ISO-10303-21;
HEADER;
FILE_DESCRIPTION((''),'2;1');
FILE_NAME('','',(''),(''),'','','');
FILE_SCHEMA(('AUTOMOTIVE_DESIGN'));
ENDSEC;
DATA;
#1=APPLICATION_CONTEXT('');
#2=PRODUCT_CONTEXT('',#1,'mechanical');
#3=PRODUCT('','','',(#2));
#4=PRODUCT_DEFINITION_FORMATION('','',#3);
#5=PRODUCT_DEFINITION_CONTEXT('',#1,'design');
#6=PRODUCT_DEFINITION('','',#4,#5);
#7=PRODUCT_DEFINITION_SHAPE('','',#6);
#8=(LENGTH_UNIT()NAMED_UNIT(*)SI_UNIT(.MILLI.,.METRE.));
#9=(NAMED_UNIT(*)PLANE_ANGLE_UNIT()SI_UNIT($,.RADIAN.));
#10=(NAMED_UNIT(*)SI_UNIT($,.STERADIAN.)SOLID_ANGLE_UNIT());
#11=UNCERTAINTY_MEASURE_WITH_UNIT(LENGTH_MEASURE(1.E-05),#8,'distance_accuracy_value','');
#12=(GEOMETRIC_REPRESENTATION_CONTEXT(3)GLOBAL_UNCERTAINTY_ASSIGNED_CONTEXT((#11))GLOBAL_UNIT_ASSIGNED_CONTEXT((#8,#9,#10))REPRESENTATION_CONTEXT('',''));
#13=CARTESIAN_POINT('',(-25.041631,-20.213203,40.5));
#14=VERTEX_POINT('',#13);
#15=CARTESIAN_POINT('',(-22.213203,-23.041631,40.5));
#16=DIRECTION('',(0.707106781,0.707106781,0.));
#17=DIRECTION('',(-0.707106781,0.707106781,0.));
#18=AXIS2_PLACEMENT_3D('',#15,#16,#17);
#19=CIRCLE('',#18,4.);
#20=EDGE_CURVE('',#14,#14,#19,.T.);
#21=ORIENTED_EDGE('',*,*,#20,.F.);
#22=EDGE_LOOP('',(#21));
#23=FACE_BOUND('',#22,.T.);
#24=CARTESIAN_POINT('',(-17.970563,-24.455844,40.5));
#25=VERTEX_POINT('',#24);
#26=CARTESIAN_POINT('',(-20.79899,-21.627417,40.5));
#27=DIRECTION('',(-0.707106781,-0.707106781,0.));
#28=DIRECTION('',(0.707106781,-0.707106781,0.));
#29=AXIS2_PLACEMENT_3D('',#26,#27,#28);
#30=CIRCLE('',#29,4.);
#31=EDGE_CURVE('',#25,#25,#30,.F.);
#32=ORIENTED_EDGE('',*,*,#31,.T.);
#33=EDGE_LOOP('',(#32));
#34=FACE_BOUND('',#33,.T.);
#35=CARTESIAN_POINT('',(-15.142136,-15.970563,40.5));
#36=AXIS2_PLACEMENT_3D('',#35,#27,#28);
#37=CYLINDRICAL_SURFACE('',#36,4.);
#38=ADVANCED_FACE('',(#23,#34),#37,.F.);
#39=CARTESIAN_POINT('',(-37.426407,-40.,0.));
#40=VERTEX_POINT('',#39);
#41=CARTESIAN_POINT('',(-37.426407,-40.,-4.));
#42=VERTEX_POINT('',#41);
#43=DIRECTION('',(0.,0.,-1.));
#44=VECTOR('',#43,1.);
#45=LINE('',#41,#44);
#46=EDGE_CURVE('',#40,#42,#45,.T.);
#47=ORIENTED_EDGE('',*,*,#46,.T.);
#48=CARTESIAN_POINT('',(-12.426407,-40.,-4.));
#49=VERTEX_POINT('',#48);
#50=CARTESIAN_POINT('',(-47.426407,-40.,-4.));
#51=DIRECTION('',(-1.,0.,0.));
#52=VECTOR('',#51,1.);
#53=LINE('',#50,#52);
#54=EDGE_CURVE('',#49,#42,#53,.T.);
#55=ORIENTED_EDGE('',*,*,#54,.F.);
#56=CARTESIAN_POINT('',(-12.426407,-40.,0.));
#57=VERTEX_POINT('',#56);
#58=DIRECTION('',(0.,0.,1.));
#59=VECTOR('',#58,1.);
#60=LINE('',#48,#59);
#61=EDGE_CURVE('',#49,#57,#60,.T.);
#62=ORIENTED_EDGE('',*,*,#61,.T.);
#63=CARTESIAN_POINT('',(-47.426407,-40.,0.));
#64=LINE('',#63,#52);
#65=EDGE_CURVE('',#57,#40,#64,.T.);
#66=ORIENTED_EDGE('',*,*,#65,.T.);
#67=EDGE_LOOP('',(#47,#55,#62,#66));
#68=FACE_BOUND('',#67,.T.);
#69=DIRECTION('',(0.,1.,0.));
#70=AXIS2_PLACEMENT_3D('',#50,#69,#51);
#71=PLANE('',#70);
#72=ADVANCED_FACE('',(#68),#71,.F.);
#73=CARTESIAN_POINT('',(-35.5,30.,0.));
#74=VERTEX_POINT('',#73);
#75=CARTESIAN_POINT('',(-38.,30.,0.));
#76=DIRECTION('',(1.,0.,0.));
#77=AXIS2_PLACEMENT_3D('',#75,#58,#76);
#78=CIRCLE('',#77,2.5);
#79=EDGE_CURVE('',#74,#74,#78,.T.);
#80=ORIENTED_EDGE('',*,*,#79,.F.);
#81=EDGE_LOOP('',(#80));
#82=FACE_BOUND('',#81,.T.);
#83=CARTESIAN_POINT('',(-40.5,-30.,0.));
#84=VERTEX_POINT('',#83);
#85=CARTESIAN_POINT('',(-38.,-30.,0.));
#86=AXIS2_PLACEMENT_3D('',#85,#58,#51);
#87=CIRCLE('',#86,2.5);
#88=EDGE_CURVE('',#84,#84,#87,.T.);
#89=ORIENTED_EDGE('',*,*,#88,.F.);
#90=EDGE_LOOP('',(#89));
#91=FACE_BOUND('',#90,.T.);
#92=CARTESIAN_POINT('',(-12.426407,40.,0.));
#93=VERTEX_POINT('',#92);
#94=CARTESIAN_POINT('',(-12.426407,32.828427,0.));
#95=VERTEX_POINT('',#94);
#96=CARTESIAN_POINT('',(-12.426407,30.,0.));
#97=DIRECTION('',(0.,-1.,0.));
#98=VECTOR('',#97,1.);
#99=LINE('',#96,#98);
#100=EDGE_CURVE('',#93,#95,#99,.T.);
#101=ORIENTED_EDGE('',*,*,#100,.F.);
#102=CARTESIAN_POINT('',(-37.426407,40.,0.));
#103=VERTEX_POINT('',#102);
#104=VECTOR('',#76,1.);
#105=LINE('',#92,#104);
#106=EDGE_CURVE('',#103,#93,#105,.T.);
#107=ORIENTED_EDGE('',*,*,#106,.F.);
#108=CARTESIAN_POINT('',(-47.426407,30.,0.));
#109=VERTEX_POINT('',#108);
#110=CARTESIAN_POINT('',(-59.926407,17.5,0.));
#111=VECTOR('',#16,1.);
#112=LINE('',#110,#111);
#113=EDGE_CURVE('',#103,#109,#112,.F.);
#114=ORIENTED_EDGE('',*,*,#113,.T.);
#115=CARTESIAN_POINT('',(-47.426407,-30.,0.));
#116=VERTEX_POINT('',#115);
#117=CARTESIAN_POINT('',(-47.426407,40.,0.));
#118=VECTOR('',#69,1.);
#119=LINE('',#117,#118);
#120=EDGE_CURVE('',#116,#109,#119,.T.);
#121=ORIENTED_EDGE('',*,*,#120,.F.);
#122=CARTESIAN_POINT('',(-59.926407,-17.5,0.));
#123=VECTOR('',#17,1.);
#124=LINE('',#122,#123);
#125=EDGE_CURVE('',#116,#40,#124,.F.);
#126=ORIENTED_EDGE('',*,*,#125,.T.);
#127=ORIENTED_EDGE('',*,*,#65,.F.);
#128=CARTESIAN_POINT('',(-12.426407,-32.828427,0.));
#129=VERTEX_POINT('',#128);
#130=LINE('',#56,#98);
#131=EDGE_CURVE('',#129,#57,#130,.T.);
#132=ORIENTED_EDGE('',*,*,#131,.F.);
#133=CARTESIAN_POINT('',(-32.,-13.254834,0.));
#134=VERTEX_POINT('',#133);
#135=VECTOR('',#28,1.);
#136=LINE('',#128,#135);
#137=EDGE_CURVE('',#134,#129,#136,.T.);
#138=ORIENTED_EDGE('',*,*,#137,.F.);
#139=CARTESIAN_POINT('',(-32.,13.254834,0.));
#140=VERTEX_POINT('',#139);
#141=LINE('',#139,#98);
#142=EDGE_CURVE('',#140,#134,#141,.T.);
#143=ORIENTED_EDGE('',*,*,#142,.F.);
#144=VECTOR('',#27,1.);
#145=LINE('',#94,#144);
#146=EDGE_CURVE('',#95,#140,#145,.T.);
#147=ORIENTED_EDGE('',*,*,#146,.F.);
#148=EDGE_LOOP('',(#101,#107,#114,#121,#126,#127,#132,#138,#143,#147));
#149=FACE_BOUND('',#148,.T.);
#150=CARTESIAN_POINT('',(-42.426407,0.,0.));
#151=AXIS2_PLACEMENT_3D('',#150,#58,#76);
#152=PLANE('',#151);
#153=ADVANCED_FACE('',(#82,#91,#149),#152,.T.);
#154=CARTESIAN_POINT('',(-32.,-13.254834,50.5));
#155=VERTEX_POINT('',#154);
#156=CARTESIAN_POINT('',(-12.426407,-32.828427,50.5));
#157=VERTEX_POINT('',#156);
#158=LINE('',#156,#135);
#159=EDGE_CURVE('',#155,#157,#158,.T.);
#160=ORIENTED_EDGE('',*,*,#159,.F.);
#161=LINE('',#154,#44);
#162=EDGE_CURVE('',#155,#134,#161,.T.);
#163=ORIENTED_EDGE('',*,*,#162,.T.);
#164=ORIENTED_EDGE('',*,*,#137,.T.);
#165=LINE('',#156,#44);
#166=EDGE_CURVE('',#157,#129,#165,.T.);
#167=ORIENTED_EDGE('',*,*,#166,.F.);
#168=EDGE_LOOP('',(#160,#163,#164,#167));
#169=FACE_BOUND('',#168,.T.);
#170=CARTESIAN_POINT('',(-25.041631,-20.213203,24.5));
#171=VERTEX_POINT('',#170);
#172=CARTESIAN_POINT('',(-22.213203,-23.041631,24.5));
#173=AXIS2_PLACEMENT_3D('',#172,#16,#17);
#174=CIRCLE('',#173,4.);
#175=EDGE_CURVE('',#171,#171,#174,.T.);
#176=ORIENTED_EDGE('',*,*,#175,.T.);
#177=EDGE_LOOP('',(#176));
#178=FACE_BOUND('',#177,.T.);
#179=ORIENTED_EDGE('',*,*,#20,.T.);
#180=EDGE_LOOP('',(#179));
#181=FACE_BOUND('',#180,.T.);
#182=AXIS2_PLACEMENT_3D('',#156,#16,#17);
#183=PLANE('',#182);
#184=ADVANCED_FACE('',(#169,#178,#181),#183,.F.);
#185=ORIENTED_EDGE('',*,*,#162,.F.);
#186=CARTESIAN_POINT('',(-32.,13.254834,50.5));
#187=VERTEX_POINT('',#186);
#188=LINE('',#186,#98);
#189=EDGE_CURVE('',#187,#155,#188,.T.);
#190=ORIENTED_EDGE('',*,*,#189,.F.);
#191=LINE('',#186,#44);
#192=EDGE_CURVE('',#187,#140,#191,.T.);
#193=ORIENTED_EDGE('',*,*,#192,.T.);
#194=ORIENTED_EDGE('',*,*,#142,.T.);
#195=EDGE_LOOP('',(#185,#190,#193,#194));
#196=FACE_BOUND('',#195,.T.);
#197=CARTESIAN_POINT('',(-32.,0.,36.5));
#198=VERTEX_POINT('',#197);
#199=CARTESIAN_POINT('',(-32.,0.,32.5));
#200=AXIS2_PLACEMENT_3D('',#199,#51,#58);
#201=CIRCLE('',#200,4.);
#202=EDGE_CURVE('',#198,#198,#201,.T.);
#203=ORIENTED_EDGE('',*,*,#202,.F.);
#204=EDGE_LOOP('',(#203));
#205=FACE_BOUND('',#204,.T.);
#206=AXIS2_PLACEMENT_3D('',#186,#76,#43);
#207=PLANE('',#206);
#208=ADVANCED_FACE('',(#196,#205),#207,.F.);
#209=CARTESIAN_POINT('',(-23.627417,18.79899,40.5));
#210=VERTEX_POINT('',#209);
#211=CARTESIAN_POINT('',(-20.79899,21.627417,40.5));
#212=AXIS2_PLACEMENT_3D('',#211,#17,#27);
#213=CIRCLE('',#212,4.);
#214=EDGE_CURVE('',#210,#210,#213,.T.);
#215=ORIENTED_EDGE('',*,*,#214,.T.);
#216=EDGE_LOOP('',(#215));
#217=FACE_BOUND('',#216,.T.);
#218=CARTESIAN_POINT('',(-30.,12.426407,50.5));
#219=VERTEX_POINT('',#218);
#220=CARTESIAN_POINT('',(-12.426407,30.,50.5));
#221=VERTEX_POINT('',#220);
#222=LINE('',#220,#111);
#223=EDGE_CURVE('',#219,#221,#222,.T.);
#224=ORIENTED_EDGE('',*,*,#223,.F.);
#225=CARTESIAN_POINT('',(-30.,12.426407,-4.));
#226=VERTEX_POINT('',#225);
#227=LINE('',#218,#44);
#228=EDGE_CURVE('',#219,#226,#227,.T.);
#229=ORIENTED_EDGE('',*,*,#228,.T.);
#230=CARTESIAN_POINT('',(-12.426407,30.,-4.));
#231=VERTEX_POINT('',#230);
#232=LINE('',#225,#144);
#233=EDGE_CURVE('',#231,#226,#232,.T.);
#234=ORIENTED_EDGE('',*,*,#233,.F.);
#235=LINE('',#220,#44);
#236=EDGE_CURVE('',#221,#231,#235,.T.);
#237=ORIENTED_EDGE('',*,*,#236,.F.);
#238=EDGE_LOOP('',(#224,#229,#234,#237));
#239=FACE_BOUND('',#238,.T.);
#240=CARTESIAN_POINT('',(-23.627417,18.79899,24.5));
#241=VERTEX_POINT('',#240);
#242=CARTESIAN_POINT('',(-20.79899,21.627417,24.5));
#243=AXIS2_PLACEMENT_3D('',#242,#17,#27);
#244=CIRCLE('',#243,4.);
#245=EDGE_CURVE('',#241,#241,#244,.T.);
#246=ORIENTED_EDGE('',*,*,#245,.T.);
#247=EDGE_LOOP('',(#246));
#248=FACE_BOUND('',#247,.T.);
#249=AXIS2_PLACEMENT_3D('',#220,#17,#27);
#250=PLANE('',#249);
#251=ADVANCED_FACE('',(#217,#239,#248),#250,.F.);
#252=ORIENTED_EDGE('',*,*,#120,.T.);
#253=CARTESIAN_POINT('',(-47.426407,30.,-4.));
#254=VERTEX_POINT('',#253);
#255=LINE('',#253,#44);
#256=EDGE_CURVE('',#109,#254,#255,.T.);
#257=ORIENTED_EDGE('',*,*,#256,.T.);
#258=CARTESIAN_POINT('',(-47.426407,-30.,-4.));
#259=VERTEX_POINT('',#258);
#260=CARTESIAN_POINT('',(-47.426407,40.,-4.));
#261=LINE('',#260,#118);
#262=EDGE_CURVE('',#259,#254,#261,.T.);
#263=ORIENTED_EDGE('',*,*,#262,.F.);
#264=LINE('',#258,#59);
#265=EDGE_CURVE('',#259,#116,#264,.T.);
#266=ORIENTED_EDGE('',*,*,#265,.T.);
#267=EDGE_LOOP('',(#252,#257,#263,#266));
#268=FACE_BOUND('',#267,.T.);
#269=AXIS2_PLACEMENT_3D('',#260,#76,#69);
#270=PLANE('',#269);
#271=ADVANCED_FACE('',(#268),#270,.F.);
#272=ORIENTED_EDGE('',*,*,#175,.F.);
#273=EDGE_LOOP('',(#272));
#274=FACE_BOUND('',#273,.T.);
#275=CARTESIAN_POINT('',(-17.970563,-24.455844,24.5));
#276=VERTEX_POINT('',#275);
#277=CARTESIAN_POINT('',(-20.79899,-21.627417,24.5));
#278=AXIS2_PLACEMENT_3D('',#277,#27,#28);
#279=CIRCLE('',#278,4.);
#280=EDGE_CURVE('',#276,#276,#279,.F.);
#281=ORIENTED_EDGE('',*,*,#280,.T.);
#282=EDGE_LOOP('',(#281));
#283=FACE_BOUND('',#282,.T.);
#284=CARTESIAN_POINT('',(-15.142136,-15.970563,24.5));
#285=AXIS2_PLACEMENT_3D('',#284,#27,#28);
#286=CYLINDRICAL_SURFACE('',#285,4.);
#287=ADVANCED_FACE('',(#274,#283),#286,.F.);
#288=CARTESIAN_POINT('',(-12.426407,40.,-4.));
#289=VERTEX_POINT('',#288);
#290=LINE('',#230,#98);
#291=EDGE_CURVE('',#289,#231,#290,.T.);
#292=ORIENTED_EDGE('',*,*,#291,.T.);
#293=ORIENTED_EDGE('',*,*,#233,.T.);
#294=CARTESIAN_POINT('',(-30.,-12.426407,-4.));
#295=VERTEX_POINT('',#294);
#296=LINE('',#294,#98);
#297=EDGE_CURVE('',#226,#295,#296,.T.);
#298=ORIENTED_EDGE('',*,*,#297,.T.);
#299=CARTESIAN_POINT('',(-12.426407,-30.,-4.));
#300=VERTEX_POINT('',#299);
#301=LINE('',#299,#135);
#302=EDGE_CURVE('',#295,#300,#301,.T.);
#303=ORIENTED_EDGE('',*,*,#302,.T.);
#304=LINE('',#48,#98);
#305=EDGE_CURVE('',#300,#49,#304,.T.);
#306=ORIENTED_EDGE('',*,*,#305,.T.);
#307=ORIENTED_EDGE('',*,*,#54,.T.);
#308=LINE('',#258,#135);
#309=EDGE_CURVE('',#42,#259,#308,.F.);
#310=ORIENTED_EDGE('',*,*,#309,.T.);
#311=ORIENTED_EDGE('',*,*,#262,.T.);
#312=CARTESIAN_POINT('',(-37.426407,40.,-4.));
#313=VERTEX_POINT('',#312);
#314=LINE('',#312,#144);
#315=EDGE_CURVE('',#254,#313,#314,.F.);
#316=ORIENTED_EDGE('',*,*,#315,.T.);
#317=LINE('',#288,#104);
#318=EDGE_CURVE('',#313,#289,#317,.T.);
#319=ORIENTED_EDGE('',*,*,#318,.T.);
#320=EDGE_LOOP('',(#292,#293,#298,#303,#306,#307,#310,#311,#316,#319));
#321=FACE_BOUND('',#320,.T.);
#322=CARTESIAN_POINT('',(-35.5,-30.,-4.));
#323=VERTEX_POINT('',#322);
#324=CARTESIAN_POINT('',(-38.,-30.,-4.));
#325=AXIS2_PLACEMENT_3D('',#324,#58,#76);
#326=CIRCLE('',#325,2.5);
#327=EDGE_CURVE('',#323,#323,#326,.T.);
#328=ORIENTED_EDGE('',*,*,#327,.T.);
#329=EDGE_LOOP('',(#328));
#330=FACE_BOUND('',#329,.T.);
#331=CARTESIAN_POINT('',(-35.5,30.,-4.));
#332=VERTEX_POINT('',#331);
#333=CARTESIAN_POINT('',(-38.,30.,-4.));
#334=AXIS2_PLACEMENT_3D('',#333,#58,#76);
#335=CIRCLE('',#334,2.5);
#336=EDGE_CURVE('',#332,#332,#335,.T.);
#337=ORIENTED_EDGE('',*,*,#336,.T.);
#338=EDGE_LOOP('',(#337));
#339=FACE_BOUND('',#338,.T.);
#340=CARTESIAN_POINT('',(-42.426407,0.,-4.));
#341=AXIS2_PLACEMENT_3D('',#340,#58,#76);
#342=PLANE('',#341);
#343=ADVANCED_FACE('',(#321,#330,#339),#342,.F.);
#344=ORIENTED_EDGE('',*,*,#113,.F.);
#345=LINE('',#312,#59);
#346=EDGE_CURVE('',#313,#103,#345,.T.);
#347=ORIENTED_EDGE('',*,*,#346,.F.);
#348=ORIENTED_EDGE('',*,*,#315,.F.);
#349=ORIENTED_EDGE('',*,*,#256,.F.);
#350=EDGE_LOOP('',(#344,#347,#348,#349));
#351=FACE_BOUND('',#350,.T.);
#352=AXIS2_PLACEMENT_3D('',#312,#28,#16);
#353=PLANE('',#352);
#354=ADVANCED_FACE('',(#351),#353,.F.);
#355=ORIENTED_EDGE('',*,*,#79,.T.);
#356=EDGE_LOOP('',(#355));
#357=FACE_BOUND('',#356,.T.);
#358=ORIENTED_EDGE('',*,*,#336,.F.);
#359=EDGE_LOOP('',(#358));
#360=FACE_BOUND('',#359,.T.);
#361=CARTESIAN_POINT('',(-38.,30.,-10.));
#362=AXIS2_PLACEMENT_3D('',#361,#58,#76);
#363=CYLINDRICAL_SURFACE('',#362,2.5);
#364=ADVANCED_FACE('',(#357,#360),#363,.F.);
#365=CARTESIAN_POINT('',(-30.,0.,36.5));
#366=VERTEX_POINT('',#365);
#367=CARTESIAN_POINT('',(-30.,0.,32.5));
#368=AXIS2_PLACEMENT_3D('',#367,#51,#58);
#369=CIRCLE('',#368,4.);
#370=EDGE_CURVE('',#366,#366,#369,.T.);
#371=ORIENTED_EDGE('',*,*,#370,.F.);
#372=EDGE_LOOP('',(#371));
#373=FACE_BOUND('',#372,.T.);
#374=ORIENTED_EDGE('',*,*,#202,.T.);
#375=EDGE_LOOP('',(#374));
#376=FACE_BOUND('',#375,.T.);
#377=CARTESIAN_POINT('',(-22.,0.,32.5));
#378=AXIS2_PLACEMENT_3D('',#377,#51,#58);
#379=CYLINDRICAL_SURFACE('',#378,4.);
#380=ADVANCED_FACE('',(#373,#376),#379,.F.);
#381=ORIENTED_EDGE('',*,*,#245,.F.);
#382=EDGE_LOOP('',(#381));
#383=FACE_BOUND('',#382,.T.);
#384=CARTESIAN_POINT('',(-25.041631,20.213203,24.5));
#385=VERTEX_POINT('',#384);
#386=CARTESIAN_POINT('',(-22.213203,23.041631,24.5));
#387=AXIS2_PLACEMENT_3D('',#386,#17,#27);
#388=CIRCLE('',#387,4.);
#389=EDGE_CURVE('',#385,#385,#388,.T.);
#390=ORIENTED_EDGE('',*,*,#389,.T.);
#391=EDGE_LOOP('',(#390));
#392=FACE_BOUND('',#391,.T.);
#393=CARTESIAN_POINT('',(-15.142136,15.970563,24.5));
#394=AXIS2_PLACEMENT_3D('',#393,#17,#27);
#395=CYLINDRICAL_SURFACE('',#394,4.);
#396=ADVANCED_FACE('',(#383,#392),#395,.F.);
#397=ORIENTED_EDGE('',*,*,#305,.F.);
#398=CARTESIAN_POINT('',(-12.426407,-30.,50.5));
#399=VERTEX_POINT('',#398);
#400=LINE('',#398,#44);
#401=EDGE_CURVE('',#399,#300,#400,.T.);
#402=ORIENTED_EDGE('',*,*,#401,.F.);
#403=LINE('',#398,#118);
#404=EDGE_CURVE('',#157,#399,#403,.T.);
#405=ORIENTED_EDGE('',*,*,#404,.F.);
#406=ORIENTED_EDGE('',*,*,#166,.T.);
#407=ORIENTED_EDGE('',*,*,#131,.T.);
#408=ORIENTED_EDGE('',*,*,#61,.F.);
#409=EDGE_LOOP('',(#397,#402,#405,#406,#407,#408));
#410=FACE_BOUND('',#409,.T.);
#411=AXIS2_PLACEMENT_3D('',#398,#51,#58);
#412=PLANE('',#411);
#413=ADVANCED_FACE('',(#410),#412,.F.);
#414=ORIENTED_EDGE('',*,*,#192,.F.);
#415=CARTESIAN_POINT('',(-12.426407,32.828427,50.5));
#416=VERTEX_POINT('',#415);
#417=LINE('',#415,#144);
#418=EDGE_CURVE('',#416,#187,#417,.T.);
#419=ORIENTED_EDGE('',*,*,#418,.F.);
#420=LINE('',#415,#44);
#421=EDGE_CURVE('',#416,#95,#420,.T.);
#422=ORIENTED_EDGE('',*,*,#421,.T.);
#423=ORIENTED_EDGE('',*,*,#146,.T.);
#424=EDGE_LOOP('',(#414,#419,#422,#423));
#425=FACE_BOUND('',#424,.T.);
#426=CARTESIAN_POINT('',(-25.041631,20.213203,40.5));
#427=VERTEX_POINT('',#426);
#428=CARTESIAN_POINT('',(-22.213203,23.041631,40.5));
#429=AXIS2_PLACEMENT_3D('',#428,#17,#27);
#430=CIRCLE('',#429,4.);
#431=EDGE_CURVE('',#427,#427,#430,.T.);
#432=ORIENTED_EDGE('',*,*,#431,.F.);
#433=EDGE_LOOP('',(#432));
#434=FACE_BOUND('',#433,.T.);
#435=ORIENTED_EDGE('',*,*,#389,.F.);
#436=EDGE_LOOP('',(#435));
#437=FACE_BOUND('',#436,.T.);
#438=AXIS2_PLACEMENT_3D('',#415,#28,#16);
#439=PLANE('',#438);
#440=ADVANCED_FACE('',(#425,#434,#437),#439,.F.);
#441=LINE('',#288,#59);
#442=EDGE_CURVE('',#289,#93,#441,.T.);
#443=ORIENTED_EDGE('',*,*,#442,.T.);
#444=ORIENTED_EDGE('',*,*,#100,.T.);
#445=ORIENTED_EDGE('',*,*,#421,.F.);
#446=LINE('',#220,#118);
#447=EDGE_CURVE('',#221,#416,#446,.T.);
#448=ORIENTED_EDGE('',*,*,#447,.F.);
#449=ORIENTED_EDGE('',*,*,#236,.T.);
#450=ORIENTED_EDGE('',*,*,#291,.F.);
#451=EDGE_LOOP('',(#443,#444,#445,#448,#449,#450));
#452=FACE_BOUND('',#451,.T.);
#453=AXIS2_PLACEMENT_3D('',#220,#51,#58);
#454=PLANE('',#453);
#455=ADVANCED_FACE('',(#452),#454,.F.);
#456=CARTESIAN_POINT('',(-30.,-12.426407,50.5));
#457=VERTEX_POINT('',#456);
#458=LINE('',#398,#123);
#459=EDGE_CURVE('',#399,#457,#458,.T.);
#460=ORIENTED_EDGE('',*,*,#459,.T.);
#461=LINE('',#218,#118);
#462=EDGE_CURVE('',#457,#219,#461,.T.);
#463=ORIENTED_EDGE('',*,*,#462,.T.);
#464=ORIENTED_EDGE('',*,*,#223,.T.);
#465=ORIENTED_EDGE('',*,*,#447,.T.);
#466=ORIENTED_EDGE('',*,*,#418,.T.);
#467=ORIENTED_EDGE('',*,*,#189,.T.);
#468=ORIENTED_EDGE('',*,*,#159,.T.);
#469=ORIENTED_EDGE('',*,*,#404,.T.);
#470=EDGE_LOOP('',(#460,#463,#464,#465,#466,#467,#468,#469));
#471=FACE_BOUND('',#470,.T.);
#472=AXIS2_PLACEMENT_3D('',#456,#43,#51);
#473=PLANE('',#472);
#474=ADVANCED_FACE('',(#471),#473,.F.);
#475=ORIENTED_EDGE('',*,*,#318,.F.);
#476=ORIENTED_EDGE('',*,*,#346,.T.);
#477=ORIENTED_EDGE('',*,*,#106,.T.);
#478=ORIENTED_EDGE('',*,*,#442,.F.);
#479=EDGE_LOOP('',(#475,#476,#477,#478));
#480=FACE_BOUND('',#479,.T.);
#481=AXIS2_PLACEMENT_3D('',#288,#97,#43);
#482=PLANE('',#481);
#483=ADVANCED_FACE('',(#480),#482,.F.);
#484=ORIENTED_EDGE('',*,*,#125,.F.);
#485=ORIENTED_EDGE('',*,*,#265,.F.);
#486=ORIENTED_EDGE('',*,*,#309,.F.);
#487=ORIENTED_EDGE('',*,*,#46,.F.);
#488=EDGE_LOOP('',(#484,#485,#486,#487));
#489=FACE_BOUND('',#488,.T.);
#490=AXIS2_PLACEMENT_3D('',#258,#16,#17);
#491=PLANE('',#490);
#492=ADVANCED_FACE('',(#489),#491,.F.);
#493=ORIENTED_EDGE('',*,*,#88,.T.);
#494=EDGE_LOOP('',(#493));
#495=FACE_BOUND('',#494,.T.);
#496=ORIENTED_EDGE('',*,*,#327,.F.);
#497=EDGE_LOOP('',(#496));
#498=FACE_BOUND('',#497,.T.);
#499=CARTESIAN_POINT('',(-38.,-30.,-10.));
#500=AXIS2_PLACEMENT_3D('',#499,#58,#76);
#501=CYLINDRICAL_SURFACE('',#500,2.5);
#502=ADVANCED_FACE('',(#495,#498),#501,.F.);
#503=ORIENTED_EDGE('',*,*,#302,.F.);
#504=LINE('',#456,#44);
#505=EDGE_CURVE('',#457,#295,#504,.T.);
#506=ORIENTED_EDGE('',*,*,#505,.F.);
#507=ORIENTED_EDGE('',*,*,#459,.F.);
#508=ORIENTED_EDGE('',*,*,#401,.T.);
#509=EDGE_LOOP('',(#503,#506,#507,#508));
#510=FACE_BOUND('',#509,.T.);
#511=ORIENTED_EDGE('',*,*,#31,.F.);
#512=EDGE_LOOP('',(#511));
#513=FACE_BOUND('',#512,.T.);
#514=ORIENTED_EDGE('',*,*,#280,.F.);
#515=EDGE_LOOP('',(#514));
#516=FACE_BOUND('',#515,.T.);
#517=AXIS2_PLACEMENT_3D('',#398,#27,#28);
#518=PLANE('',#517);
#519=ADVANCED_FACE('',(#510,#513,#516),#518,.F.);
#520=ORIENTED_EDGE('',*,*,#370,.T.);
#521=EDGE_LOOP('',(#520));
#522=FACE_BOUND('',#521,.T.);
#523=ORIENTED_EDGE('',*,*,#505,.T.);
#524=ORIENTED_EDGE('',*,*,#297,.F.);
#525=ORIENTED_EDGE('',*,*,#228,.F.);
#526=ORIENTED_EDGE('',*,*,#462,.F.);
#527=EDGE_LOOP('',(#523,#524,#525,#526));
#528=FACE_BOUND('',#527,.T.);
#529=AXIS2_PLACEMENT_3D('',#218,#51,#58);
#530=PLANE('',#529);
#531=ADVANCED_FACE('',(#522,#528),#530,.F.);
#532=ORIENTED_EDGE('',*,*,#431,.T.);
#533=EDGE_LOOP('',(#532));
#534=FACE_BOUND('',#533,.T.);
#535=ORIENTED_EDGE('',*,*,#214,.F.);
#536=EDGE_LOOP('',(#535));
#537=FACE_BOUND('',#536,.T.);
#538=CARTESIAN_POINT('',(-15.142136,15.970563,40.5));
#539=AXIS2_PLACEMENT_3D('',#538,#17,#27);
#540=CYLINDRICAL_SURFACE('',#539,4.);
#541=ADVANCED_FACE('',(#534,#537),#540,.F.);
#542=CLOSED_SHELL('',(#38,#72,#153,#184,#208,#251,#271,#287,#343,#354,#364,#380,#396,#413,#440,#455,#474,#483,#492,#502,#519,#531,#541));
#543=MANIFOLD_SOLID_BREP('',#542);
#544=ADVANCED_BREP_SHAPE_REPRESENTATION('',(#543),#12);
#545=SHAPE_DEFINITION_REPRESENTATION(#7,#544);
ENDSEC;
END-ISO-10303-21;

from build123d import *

# Parameters (mm, degrees)
EXTRUDE_1_DEPTH     = 50.5
EXTRUDE_2_DEPTH     = 4
CHAMFER_1_SIZE      = 10
SKETCH_3_R          = 4
CUT_EXTRUDE_1_DEPTH = 10
SKETCH_4_R          = 4
CUT_EXTRUDE_2_DEPTH = 10
SKETCH_5_R          = 2.5
CUT_EXTRUDE_3_DEPTH = 10


with BuildPart() as part:
    # 草图1 → 凸台-拉伸1 (new body)
    with BuildSketch(Plane.XY):
        Polygon((-12.426406871, 30), (-30, 12.426406871), (-30, -12.426406871), (-12.426406871, -30), (-12.426406871, -32.828427125), (-32, -13.254833996), (-32, 13.254833996), (-12.426406871, 32.828427125), align=None)
    extrude(amount=EXTRUDE_1_DEPTH)

    # 草图2 → 凸台-拉伸2 (add)
    with BuildSketch(Plane(origin=(0, 0, 0), x_dir=(-1, 0, 0), z_dir=(0, 0, -1))):
        Polygon((12.426406871, 30), (12.426406871, 40), (47.426406871, 40), (47.426406871, -40), (12.426406871, -40), (12.426406871, -30), (30, -12.426406871), (30, 12.426406871), align=None)
    extrude(amount=EXTRUDE_2_DEPTH)

    # 倒角1
    chamfer_1_edges = [part.edges().sort_by_distance(p)[0] for p in [
        (-47.426406871, -40, -2),
        (-47.426406871, 40, -2),
    ]]
    chamfer(chamfer_1_edges, length=CHAMFER_1_SIZE)

    # 草图3 → 切除-拉伸1 (cut)
    with BuildSketch(Plane(origin=(-22.627416998, 22.627416998, 0), x_dir=(0, 0, 1), z_dir=(-0.707106781, 0.707106781, 0))):
        with Locations((40.5, 0.585786438)):
            Circle(SKETCH_3_R)
        with Locations((24.5, 0.585786438)):
            Circle(SKETCH_3_R)
    cut_extrude_1 = extrude(amount=-CUT_EXTRUDE_1_DEPTH, mode=Mode.SUBTRACT)

    # 草图4 → 切除-拉伸2 (cut)
    with BuildSketch(Plane.ZY.offset(32)):
        with Locations((32.5, 0)):
            Circle(SKETCH_4_R)
    extrude(amount=-CUT_EXTRUDE_2_DEPTH, mode=Mode.SUBTRACT)

    # 镜向1: 切除-拉伸1 across plane
    add(cut_extrude_1.mirror(Plane.ZX), mode=Mode.SUBTRACT)

    # 草图5 → 切除-拉伸3 (cut)
    with BuildSketch(Plane.XY):
        with Locations((-38, 30)):
            Circle(SKETCH_5_R)
        with Locations((-38, -30)):
            Circle(SKETCH_5_R)
    extrude(amount=-CUT_EXTRUDE_3_DEPTH, mode=Mode.SUBTRACT)


solid = part.part
